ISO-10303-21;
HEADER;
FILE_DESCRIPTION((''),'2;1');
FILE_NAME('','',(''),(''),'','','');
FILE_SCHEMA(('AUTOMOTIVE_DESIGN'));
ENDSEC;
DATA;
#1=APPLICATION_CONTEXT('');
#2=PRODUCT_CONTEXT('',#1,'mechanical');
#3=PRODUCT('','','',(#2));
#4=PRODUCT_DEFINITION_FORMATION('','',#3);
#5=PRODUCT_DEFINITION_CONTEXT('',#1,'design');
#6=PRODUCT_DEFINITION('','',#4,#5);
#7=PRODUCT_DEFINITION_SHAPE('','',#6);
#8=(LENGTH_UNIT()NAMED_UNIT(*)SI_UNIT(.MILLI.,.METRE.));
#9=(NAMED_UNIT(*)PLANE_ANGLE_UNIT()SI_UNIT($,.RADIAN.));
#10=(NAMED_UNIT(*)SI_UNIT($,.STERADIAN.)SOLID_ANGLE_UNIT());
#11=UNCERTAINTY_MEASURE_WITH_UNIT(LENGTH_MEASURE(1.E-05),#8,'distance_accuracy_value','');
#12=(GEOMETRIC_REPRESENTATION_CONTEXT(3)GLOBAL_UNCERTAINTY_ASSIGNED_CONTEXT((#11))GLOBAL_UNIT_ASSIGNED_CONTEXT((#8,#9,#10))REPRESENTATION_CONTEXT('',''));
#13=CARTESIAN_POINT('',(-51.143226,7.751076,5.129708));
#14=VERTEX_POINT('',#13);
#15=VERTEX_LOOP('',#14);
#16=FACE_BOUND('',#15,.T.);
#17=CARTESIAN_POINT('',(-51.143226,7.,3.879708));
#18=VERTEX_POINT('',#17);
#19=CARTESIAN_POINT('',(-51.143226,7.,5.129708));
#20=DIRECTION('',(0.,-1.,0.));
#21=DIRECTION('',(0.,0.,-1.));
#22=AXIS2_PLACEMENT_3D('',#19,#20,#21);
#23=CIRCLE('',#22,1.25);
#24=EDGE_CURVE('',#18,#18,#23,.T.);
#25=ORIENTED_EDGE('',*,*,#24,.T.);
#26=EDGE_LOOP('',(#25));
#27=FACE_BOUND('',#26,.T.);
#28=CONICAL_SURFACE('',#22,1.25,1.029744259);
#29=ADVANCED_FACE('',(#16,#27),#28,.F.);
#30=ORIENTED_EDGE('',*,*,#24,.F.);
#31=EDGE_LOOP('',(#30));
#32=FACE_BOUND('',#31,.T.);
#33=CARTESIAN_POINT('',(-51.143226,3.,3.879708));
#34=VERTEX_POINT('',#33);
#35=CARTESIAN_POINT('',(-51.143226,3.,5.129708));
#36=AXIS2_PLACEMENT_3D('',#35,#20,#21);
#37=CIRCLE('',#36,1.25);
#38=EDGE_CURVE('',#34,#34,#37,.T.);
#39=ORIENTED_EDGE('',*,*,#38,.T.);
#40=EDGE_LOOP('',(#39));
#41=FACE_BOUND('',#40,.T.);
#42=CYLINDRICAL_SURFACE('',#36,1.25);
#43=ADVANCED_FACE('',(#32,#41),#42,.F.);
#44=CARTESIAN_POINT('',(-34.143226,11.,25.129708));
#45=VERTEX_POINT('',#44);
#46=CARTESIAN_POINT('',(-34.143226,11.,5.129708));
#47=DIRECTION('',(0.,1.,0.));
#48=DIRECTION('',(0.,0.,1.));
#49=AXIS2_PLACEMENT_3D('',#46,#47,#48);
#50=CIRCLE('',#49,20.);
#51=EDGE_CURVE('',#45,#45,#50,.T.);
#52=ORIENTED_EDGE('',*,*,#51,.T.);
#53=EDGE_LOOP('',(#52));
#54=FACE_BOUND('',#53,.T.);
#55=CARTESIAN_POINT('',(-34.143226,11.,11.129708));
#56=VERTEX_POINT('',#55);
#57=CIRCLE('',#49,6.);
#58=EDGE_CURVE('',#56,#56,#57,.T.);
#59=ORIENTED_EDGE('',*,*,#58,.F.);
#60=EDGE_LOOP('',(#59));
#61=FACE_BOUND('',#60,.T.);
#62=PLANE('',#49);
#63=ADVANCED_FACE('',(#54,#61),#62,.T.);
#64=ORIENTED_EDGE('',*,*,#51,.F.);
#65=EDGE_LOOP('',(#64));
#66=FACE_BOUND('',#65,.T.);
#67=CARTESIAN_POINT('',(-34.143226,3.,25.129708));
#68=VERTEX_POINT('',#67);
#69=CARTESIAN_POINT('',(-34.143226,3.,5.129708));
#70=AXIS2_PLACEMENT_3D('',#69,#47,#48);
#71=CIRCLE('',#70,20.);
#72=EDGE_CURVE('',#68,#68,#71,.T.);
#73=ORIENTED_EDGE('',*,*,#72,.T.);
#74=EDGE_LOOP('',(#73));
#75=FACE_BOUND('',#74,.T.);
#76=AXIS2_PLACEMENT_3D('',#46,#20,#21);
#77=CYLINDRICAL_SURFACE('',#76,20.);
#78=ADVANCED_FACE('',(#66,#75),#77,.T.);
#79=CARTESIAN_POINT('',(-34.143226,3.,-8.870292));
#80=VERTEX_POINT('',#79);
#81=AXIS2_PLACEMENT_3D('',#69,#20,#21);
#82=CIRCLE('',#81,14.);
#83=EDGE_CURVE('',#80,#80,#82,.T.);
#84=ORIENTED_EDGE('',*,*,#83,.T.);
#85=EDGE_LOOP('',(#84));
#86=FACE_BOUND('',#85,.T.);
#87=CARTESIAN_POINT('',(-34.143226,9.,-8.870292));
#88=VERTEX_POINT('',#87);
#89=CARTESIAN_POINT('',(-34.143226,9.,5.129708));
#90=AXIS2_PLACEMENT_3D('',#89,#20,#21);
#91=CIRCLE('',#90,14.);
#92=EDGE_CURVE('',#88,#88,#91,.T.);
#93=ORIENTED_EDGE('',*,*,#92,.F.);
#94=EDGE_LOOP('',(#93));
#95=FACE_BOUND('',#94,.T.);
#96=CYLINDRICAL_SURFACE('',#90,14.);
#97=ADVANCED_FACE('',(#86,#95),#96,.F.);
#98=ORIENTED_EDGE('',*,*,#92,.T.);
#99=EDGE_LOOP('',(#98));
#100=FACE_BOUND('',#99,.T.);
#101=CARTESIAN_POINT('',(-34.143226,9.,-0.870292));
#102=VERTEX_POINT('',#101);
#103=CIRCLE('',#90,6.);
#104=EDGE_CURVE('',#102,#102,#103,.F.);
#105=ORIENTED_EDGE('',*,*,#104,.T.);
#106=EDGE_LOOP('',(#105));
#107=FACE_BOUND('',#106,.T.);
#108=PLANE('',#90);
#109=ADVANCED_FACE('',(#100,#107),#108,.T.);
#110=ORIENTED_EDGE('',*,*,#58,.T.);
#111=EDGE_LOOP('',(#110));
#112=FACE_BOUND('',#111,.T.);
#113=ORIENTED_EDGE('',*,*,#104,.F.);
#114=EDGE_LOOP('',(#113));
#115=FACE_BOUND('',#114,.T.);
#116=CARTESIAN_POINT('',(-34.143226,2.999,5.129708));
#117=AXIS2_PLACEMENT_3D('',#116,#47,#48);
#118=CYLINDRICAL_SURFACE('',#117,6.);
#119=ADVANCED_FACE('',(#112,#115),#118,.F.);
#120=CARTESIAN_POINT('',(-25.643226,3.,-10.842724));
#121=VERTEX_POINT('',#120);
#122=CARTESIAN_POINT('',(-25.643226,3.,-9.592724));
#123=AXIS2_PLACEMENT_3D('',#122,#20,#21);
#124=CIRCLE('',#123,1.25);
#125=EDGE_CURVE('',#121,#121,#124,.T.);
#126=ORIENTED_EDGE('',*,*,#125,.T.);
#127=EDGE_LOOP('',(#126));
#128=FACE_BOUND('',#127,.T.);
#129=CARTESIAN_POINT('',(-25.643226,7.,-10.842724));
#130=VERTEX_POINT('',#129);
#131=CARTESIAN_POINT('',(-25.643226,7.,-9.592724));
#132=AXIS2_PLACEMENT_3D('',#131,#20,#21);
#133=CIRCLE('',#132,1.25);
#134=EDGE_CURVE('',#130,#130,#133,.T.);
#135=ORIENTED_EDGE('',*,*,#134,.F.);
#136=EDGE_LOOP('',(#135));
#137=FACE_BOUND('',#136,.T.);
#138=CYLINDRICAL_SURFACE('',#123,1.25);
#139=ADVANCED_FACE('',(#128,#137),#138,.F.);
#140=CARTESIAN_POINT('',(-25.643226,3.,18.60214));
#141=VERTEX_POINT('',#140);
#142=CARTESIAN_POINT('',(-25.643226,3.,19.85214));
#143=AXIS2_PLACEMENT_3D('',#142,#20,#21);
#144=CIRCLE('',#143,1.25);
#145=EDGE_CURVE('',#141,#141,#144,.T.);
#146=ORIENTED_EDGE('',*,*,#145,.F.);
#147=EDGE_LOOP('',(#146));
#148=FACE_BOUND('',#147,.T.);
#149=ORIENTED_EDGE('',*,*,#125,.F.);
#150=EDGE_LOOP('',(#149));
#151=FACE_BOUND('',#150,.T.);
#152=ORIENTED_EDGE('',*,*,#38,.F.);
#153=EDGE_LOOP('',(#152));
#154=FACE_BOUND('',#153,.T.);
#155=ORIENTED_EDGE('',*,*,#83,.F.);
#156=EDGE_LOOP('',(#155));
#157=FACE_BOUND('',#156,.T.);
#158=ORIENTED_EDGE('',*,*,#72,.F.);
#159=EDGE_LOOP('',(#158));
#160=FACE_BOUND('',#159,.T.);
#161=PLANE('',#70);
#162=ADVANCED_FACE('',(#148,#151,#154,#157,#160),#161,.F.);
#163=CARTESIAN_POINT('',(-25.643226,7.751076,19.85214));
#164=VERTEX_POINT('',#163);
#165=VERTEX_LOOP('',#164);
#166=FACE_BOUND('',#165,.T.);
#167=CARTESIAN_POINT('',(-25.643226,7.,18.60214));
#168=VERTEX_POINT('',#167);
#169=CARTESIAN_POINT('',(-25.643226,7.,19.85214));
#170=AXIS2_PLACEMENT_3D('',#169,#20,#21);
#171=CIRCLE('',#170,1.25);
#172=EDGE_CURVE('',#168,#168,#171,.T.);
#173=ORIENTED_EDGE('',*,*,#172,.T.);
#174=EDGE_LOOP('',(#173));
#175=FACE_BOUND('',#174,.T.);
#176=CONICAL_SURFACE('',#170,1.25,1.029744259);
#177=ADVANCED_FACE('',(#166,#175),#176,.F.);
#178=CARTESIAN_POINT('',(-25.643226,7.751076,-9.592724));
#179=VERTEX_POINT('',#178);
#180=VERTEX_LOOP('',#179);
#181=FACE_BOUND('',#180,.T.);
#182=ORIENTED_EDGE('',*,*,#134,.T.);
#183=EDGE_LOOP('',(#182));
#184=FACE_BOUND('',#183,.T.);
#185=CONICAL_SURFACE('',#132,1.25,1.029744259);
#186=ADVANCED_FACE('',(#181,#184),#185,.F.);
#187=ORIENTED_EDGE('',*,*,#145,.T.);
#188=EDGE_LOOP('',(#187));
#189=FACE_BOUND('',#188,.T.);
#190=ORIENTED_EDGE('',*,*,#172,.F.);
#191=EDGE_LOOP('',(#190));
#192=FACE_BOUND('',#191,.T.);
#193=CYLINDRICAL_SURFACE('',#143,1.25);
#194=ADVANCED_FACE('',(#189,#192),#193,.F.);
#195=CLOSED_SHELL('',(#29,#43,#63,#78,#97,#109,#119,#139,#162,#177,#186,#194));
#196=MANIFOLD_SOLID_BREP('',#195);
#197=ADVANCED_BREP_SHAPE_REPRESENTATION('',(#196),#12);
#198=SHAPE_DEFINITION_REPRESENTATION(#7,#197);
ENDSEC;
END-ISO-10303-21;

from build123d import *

# Parameters (mm, degrees)
SKETCH1_R                 = 20
BOSS_EXTRUDE1_DEPTH       = 8
SKETCH2_R                 = 14
CUT_EXTRUDE1_DEPTH        = 6
CUT_EXTRUDE4_REACH        = 10
SKETCH3_R                 = 6
M3X0_5_TAPPED_HOLE1_D     = 2.5
M3X0_5_TAPPED_HOLE1_DEPTH = 4
M3X0_5_TAPPED_HOLE1_TIP   = 0.751075774


with BuildPart() as part:
    # Sketch1 → Boss-Extrude1 (new body)
    with BuildSketch(Plane(origin=(0, 3, 0), x_dir=(1, 0, 0), z_dir=(0, 1, 0))):
        with Locations((-34.143225555, -5.12970783)):
            Circle(SKETCH1_R)
    extrude(amount=BOSS_EXTRUDE1_DEPTH)

    # Sketch2 → Cut-Extrude1 (cut)
    with BuildSketch(Plane.XZ.offset(-3)):
        with Locations((-34.143225555, 5.12970783)):
            Circle(SKETCH2_R)
    extrude(amount=-CUT_EXTRUDE1_DEPTH, mode=Mode.SUBTRACT)

    # Sketch3 → Cut-Extrude4 (cut, up to next)
    with BuildSketch(Plane(origin=(0, 11, 0), x_dir=(1, 0, 0), z_dir=(0, 1, 0)), mode=Mode.PRIVATE) as cut_extrude4_sk1:
        with Locations((-34.143225555, -5.12970783)):
            Circle(SKETCH3_R)
    cut_extrude4_tool1 = extrude(cut_extrude4_sk1.sketch, amount=-CUT_EXTRUDE4_REACH, mode=Mode.PRIVATE) & part.part
    add(cut_extrude4_tool1.solids().sort_by_distance((-34.143226, 11, 5.129708))[0], mode=Mode.SUBTRACT)

    # M3x0.5 Tapped Hole1
    with Locations(Plane.XZ.offset(-3)):
        with Locations((-25.643225555, 19.852139695), (-51.143225555, 5.12970783), (-25.643225555, -9.592724034)):
            Hole(M3X0_5_TAPPED_HOLE1_D / 2, depth=M3X0_5_TAPPED_HOLE1_DEPTH)
            with Locations((0, 0, -(M3X0_5_TAPPED_HOLE1_DEPTH + M3X0_5_TAPPED_HOLE1_TIP / 2))):  # 118° drill point
                Cone(0, M3X0_5_TAPPED_HOLE1_D / 2, M3X0_5_TAPPED_HOLE1_TIP, mode=Mode.SUBTRACT)


solid = part.part
